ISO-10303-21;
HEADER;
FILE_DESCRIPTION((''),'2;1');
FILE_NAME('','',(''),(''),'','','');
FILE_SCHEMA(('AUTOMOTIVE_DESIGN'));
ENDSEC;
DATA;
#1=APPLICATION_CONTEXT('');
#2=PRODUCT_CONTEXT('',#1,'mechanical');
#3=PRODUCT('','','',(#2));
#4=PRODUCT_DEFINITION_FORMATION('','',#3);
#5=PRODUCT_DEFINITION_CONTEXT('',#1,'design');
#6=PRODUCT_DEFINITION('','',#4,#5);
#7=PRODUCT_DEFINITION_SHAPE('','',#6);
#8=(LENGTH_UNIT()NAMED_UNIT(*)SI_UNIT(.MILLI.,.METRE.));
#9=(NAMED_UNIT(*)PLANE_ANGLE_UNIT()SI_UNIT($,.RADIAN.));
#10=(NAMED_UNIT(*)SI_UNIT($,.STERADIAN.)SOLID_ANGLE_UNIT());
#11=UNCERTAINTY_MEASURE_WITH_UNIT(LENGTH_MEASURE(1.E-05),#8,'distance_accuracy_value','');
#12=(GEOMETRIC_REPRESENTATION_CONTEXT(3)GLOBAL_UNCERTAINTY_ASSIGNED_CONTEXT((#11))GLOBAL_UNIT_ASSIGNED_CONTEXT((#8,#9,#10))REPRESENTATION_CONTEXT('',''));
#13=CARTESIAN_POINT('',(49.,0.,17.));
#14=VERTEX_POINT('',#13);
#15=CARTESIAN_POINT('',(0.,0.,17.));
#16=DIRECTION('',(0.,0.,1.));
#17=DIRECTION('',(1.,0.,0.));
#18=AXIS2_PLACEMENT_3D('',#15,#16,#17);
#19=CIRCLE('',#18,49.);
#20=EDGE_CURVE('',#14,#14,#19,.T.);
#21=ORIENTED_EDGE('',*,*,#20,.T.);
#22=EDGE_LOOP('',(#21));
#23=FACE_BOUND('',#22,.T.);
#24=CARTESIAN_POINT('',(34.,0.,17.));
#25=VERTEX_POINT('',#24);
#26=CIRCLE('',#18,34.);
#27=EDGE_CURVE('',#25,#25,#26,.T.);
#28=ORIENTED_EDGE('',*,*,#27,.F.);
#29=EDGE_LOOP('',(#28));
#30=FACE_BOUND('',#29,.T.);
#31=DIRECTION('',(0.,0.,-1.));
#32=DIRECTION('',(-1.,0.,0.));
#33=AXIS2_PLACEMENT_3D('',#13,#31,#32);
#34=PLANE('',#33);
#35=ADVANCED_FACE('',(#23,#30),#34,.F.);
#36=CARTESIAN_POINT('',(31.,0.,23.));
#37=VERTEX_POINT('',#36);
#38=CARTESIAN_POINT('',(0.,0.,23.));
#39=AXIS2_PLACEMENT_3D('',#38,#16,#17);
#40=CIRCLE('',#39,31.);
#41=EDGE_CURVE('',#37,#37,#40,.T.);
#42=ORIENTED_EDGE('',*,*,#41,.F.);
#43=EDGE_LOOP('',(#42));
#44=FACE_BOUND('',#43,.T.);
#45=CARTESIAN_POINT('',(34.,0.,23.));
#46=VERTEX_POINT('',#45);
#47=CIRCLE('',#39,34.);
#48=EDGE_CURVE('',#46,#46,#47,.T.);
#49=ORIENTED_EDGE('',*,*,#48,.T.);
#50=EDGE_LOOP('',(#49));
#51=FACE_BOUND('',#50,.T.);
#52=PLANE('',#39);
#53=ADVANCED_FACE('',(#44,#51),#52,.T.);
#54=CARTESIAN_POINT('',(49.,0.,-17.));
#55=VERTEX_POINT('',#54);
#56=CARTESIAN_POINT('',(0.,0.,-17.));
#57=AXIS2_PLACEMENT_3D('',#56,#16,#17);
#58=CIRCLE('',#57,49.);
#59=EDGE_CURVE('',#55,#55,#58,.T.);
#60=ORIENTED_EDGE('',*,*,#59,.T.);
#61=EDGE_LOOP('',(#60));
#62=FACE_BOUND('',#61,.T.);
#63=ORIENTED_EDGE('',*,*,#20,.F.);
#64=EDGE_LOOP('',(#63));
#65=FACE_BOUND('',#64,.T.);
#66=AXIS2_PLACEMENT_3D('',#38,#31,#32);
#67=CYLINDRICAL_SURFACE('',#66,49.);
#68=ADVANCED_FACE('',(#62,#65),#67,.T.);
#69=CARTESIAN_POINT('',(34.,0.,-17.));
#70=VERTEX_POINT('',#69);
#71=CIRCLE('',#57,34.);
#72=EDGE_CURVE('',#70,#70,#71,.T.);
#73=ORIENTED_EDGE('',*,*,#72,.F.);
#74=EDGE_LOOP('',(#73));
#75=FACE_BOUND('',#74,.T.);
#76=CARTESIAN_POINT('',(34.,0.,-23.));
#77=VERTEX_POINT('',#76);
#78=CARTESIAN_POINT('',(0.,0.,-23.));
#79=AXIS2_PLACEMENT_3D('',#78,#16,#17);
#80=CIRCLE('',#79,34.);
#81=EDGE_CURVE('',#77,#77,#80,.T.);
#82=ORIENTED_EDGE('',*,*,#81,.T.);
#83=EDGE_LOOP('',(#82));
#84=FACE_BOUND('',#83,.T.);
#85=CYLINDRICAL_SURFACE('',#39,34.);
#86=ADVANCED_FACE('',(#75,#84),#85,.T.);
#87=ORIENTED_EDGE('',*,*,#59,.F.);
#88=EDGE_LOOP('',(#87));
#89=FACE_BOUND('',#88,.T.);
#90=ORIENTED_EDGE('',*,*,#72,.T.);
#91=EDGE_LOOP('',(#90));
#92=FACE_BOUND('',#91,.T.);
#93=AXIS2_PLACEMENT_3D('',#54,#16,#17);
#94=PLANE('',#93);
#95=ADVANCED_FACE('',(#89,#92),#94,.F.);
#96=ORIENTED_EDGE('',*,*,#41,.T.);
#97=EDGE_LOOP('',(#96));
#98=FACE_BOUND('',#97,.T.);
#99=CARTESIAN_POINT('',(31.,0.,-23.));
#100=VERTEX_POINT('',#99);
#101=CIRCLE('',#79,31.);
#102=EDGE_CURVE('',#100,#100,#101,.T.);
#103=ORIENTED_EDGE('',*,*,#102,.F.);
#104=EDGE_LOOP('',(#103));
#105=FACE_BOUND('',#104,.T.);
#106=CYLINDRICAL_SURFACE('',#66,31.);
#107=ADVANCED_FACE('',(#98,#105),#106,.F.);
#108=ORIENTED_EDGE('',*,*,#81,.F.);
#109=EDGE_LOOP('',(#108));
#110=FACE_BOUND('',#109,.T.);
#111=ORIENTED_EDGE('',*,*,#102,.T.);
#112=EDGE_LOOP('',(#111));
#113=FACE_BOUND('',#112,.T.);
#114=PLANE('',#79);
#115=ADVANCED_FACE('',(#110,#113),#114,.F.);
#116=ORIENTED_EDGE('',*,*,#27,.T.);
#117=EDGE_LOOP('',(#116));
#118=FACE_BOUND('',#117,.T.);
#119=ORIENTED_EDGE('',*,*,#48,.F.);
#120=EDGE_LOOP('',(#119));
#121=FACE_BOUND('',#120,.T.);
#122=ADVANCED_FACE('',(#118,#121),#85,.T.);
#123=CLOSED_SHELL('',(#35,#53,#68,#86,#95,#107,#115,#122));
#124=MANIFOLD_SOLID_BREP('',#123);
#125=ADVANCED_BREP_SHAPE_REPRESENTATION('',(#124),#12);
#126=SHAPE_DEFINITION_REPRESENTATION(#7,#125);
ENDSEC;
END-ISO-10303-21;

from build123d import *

# Parameters (mm, degrees)
SCHIZZO1_R        = 49
SCHIZZO1_R_2      = 31
ESTRUSIONE1_DEPTH = 23
SCHIZZO4_W        = 15
SCHIZZO4_H        = 6


with BuildPart() as part:
    # Schizzo1 → Estrusione1 (new, symmetric)
    with BuildSketch(Plane.XY):
        Circle(SCHIZZO1_R)
        Circle(SCHIZZO1_R_2, mode=Mode.SUBTRACT)
    extrude(amount=ESTRUSIONE1_DEPTH, both=True)

    # Schizzo4 → Taglia-Rivoluzione1 (revolve, cut)
    with BuildSketch(Plane(origin=(0, 0, 0), x_dir=(1, 0, 0), z_dir=(0, 1, 0))):
        with Locations((41.5, 20)):
            Rectangle(SCHIZZO4_W, SCHIZZO4_H)
        with Locations((41.5, -20)):
            Rectangle(SCHIZZO4_W, SCHIZZO4_H)
    revolve(axis=Axis((0, 0, 23), (0, 0, -1)), mode=Mode.SUBTRACT)


solid = part.part
